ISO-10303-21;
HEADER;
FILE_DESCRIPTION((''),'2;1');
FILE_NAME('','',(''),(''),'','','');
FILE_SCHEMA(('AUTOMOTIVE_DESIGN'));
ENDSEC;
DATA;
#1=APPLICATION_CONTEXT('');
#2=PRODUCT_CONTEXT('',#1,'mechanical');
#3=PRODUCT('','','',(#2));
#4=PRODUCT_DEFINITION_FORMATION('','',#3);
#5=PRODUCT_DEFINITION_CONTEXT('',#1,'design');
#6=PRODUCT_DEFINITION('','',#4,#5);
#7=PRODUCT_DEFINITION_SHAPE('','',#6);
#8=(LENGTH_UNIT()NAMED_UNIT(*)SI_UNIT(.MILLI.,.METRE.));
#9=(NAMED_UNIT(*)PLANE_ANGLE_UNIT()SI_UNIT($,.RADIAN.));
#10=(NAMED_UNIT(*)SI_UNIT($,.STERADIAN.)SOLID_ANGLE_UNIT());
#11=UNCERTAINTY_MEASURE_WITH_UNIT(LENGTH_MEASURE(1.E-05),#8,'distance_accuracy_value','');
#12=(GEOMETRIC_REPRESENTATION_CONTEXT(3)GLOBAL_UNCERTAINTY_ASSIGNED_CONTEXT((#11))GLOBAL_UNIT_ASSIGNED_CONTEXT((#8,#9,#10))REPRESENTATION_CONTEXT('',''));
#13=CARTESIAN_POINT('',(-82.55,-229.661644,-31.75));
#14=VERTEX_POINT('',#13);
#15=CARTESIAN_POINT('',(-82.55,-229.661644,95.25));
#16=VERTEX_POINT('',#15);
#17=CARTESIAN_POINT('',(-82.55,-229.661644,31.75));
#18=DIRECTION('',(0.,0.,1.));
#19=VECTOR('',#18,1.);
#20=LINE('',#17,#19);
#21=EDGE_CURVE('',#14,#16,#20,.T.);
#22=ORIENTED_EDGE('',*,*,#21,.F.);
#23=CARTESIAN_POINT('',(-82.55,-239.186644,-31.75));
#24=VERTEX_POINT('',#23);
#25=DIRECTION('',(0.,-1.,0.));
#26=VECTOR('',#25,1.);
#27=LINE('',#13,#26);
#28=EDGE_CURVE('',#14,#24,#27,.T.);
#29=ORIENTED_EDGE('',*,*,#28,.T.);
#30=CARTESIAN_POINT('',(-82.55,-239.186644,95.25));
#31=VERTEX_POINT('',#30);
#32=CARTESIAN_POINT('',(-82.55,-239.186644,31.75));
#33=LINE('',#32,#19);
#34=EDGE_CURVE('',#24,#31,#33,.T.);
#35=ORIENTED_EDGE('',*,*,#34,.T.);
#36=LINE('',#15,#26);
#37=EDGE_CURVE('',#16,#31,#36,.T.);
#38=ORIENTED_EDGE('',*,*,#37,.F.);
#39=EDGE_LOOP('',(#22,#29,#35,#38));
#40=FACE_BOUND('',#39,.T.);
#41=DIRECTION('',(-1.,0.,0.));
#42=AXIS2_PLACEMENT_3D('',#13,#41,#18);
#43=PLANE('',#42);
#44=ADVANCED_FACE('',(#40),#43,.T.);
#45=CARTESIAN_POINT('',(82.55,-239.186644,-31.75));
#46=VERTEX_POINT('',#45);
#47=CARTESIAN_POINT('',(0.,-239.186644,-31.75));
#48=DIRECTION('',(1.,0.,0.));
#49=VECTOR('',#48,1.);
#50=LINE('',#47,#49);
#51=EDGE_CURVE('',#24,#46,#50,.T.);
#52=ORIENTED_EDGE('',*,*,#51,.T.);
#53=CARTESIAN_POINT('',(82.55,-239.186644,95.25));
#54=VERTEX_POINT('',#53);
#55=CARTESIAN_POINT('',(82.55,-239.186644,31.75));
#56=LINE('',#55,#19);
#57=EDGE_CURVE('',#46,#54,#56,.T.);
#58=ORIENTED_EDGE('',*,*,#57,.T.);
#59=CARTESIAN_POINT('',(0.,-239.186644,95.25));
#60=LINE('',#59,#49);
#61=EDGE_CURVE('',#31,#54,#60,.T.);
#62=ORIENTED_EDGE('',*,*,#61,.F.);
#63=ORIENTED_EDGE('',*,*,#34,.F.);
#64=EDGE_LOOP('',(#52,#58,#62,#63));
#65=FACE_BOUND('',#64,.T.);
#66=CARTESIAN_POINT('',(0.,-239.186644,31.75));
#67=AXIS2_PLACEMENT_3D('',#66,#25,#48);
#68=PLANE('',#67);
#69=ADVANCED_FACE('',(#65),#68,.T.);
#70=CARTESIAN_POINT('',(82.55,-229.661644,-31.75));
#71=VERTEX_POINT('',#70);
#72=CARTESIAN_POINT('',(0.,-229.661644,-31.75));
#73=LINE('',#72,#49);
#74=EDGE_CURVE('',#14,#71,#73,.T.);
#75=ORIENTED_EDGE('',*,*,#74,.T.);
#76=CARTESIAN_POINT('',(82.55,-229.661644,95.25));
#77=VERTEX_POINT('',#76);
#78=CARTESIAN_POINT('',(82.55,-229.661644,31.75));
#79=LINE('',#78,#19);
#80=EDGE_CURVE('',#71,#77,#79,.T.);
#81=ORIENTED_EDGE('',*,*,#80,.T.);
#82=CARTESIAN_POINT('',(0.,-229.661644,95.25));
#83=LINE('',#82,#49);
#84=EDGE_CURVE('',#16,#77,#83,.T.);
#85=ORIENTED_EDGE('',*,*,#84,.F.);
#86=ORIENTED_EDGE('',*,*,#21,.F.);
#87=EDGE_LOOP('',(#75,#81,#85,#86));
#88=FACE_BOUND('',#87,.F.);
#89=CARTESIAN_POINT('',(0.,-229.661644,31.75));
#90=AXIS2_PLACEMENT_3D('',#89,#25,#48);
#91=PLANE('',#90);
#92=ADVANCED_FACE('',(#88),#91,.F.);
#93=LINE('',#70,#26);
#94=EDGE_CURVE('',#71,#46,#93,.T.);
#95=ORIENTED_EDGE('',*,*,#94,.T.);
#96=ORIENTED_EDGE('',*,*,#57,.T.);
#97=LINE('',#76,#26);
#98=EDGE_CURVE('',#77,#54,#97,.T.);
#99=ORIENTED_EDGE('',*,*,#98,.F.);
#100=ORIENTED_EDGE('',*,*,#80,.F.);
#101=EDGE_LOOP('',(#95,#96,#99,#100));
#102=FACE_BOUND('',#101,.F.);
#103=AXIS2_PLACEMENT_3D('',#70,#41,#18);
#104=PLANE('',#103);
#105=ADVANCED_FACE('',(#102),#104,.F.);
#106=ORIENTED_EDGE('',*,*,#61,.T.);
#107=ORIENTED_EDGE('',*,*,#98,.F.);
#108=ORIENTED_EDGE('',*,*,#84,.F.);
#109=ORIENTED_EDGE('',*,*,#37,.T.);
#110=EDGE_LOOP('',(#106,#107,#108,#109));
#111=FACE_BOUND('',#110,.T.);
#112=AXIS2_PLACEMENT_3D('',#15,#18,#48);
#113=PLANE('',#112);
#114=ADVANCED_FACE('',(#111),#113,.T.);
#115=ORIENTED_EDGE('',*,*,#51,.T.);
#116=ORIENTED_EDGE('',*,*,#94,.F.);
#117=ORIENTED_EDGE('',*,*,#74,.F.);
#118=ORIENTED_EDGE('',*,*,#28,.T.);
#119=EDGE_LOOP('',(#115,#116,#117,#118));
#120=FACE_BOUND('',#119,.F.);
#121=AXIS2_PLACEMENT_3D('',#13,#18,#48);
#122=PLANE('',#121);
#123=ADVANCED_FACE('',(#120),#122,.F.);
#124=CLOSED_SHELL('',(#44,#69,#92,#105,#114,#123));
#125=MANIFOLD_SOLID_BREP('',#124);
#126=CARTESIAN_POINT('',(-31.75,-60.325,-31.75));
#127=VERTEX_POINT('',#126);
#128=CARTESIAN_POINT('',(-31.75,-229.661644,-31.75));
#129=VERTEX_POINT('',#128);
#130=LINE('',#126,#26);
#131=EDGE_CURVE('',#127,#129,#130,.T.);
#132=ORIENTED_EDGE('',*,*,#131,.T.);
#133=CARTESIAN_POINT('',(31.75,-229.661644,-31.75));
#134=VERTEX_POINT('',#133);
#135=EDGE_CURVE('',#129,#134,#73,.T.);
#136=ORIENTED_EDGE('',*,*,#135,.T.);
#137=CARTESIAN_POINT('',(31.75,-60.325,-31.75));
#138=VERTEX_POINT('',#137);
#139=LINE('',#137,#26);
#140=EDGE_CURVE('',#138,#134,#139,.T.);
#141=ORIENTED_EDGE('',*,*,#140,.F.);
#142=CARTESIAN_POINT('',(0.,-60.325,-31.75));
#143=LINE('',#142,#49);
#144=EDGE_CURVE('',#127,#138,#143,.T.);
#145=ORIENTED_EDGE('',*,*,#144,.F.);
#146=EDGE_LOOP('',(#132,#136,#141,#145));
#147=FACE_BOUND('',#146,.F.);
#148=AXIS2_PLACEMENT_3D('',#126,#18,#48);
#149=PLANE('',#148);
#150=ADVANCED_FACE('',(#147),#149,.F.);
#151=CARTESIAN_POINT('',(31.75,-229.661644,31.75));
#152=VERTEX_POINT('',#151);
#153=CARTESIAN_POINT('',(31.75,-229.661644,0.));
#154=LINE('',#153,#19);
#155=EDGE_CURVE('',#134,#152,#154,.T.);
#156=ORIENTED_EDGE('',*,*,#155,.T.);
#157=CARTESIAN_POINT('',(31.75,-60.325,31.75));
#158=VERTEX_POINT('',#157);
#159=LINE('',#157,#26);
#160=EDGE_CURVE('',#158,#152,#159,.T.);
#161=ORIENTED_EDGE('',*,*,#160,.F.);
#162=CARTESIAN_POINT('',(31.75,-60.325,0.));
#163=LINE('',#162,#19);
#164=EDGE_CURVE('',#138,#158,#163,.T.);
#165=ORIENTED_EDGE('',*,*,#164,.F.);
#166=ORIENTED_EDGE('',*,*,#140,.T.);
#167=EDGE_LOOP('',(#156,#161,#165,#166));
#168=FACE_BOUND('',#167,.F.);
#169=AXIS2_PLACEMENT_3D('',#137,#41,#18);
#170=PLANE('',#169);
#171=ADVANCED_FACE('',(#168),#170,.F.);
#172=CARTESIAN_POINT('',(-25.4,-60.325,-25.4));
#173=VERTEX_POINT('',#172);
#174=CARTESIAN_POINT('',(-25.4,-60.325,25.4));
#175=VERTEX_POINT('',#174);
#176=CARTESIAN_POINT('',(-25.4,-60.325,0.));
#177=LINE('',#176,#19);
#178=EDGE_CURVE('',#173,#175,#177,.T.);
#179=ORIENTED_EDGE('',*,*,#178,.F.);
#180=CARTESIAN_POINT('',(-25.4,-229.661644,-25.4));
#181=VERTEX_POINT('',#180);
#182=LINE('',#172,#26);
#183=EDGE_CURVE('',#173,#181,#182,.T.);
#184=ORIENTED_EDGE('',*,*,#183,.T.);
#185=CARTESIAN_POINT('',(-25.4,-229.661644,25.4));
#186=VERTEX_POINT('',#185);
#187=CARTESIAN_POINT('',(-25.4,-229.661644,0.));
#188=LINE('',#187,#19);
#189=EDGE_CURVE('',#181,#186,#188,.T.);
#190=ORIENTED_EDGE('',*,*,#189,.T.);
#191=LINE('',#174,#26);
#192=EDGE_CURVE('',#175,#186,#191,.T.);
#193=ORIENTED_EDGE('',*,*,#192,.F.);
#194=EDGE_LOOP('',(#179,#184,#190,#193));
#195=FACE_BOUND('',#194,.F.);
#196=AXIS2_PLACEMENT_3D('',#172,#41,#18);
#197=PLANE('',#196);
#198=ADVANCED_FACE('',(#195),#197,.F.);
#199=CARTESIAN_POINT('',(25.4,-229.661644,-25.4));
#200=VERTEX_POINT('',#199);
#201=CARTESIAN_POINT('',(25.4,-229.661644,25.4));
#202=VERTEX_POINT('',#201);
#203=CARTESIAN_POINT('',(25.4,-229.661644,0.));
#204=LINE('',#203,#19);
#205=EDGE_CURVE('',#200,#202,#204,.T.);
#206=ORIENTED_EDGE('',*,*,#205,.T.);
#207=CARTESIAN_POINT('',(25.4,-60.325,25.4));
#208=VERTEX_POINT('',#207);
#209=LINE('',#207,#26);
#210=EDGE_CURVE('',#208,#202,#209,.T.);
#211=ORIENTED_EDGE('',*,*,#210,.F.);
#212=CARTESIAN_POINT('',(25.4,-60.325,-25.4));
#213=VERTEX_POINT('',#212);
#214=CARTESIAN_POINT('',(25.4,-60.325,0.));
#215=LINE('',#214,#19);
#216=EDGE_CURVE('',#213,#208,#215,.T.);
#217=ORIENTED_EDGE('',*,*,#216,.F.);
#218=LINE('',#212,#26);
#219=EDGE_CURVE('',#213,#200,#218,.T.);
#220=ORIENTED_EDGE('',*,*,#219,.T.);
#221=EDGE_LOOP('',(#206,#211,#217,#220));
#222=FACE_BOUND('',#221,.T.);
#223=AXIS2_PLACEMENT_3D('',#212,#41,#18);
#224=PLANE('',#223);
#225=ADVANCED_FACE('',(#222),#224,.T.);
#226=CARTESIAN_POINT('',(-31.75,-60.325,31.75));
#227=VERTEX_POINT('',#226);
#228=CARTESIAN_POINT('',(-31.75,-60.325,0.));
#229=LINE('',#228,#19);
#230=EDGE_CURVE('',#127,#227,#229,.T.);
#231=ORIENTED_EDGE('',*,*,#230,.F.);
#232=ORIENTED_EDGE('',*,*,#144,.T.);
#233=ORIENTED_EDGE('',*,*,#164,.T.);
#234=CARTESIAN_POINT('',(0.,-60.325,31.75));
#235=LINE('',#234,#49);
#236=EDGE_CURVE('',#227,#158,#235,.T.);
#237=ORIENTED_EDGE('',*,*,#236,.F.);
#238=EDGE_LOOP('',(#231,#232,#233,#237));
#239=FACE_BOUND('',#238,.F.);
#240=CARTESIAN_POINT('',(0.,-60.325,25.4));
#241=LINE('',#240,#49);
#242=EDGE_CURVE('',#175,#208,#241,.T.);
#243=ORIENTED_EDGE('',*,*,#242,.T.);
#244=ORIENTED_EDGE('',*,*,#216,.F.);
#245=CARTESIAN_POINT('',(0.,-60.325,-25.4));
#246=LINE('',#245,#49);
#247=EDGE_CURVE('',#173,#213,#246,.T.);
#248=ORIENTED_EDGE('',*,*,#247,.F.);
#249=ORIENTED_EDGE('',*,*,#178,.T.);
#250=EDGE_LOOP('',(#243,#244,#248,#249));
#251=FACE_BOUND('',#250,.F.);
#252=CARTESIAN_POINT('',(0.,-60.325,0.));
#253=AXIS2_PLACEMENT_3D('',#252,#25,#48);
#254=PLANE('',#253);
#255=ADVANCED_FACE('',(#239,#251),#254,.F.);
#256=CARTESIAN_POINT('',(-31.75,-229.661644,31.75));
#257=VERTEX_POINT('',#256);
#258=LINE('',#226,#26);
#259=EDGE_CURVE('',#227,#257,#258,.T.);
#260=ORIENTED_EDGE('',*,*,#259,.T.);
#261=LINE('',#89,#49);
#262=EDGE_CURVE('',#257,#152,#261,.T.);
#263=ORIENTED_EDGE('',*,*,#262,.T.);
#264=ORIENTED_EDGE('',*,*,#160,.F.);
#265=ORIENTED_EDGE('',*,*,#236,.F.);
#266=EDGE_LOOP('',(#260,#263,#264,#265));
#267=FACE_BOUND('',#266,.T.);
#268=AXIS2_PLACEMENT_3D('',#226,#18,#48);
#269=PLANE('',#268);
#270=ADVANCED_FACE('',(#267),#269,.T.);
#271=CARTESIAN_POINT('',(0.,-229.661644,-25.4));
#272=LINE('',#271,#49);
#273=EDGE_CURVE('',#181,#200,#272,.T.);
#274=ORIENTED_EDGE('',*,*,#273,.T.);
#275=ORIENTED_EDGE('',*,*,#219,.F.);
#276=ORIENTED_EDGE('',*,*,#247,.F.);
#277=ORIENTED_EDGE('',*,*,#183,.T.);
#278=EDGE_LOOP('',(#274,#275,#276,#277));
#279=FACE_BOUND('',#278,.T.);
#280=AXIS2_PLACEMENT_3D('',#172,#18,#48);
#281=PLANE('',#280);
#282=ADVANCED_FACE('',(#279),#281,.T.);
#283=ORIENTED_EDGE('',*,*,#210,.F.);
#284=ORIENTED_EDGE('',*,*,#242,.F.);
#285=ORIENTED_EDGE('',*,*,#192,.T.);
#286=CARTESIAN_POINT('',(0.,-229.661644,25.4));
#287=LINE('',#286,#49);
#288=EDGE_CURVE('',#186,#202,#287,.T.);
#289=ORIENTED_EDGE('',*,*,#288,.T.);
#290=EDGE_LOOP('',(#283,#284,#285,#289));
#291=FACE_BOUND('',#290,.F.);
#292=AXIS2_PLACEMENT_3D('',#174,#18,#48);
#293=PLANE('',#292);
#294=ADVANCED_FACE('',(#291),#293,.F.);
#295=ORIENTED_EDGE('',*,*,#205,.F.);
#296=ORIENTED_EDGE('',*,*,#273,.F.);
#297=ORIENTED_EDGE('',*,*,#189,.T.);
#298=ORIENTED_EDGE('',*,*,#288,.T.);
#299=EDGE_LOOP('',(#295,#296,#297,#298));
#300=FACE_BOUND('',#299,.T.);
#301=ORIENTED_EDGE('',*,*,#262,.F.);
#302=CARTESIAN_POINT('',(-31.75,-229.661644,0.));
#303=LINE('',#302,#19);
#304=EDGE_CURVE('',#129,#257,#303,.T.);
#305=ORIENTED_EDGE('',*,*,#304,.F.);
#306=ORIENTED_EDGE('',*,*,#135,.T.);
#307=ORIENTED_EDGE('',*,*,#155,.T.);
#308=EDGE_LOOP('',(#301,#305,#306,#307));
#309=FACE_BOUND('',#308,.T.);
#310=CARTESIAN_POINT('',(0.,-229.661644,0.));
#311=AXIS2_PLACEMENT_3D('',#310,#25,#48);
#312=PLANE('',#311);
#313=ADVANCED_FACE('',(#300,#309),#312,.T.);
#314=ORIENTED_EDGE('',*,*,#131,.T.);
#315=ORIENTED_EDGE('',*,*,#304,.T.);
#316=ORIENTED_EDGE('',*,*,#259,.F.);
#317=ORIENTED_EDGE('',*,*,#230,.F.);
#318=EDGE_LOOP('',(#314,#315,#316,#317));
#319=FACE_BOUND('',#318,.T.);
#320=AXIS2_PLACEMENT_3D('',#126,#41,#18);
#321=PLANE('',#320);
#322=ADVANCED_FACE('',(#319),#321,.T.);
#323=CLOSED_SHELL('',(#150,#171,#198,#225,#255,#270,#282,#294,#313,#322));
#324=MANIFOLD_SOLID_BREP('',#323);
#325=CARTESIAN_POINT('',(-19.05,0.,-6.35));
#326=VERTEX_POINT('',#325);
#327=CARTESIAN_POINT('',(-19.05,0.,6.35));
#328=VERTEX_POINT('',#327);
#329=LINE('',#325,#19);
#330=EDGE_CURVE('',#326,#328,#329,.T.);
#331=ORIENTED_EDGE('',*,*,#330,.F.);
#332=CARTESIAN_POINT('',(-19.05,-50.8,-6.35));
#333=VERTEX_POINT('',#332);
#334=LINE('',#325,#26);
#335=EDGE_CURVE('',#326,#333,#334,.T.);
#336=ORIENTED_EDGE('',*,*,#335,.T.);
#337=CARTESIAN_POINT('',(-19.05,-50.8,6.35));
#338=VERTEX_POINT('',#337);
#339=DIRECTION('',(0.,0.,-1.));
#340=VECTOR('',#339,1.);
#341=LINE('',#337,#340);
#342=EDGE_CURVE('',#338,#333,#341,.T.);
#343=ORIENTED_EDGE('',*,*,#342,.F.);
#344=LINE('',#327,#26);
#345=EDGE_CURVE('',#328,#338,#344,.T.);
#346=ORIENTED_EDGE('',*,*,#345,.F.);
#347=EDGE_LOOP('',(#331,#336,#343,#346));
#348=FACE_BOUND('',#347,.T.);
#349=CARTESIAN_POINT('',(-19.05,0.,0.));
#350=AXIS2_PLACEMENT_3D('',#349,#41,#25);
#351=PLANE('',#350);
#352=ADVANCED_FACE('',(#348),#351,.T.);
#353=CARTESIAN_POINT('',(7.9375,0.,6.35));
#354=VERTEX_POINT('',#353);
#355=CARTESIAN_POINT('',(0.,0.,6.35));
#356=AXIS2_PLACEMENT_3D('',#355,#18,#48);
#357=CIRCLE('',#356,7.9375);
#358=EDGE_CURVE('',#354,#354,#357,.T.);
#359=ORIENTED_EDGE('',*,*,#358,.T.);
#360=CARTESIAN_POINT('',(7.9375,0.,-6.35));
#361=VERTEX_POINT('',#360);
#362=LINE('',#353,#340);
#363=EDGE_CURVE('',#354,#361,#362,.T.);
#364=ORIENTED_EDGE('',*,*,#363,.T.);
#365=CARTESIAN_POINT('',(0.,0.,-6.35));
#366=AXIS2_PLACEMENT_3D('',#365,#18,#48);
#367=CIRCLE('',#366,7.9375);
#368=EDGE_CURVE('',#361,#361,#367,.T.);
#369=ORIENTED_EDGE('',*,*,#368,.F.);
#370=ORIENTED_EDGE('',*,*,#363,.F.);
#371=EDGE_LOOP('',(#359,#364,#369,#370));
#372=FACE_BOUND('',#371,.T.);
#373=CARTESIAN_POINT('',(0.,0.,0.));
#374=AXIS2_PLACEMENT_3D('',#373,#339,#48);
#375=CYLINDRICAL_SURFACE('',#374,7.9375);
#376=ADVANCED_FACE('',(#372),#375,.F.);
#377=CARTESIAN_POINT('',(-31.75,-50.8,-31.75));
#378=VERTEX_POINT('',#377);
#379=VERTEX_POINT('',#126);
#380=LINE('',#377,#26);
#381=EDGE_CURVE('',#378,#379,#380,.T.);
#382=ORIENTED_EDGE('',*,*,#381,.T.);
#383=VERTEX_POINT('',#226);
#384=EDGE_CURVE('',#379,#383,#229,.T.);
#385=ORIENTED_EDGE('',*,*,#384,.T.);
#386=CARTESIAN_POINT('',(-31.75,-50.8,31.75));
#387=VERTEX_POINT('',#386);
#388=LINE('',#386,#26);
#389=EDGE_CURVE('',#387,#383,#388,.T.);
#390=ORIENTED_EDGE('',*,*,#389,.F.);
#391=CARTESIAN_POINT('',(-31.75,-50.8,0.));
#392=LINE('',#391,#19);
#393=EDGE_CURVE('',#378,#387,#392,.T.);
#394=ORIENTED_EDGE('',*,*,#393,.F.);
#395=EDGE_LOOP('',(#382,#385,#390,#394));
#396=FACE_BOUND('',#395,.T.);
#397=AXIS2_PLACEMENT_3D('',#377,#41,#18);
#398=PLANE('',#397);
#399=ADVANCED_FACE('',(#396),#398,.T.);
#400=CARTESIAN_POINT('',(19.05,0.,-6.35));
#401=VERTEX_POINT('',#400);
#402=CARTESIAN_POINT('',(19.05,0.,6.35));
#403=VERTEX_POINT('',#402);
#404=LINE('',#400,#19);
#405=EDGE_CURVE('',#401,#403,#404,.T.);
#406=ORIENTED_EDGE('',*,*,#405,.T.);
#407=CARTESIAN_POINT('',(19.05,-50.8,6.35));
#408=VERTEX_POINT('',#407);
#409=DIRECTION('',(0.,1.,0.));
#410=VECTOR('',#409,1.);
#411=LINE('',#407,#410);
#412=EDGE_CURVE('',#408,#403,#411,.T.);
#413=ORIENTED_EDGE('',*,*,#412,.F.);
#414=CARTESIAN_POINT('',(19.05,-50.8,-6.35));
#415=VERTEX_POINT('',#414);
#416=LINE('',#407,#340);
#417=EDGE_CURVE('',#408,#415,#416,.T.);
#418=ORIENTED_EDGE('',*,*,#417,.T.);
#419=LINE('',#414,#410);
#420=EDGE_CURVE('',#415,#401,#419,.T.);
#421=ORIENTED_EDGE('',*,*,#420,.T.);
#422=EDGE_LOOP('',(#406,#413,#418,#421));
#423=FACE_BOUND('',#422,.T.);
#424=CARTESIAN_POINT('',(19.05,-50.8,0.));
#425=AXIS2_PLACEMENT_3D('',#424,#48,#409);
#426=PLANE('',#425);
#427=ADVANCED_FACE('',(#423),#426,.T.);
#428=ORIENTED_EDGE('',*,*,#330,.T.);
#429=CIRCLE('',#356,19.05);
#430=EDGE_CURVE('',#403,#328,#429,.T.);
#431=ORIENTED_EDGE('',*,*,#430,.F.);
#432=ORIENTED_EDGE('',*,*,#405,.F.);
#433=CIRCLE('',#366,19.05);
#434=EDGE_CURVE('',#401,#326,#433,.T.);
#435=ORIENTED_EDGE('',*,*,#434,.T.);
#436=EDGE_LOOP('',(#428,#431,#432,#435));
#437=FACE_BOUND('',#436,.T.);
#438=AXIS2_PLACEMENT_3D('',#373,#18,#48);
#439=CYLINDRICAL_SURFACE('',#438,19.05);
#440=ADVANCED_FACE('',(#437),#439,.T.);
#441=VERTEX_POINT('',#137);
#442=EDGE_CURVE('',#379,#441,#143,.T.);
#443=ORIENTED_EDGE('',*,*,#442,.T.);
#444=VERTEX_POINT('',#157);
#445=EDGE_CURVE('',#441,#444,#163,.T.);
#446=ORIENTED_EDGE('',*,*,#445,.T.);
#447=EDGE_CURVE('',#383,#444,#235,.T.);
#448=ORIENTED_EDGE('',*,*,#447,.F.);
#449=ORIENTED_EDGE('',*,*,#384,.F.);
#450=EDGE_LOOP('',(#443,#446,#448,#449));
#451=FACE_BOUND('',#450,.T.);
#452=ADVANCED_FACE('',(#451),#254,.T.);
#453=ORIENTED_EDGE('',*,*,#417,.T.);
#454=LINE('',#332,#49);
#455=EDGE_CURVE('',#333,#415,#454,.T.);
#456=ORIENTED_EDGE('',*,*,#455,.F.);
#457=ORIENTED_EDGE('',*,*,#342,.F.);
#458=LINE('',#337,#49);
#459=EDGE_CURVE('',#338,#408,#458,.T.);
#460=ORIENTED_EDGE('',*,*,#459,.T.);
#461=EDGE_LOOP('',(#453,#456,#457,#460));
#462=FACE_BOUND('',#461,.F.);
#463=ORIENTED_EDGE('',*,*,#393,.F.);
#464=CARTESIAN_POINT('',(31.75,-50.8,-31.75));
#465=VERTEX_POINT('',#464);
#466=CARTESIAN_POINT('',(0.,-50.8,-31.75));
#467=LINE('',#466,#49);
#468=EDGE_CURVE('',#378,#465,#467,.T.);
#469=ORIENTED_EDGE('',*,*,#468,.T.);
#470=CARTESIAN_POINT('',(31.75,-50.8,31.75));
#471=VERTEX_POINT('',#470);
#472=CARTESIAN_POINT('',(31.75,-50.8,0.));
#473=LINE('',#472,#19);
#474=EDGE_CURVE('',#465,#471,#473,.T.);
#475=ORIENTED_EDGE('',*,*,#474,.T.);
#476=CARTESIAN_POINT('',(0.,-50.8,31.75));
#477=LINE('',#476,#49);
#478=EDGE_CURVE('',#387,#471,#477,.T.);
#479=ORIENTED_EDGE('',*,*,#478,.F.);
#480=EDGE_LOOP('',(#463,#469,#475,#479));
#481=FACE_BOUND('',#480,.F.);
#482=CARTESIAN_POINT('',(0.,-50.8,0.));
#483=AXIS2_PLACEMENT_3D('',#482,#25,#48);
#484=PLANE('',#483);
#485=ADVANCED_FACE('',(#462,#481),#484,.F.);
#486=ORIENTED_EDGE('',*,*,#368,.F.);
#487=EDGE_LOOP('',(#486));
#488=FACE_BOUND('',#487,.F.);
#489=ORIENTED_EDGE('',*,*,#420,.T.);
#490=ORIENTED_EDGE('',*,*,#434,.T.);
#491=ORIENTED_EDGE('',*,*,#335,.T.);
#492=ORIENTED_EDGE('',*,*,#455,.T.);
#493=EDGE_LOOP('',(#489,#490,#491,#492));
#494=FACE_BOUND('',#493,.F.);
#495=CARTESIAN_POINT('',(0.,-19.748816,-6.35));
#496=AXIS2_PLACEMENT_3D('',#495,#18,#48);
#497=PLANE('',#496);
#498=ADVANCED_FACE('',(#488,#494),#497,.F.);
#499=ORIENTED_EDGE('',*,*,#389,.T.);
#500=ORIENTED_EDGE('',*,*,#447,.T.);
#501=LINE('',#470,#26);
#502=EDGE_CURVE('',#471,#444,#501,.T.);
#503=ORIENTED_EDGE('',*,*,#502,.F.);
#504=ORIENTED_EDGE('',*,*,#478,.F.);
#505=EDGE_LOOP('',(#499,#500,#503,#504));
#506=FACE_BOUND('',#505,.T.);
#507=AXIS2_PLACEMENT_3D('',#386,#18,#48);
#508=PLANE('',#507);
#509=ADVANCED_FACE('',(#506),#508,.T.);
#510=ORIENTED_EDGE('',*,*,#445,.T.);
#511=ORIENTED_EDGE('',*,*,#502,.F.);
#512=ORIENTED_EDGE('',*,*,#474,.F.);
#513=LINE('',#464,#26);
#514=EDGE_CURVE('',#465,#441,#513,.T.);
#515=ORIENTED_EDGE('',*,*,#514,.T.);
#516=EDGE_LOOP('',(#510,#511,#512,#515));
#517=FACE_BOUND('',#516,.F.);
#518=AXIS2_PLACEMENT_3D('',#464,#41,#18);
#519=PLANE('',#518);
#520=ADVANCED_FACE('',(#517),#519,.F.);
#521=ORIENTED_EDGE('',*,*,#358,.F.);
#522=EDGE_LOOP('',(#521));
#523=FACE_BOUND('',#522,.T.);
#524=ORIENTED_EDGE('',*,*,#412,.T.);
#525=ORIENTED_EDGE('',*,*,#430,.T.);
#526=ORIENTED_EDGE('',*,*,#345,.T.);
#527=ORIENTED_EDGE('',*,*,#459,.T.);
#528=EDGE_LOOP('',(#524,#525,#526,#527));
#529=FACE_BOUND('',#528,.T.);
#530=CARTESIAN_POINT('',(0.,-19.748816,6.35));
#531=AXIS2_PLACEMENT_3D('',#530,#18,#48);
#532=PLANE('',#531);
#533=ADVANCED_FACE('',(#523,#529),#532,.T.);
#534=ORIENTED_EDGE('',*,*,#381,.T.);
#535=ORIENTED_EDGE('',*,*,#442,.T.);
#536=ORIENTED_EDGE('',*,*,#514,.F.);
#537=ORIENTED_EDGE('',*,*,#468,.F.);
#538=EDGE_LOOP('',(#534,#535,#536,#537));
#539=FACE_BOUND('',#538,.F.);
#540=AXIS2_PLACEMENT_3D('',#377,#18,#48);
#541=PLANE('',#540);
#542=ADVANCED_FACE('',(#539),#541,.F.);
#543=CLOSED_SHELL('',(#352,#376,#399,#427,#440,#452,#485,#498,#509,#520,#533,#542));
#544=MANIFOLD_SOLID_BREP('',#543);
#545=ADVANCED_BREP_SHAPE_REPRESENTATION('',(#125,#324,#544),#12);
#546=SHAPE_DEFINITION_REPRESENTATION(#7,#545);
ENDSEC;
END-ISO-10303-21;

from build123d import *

# Parameters (mm, degrees)
F0_R          = 7.9375
F1_DEPTH      = 6.35
F1_DEPTH_BACK = 6.35
F2_W          = 63.5
F2_H          = 63.5
F3_DEPTH      = 9.525
F4_W          = 63.5
F4_H          = 63.5
F4_W_2        = 50.8
F4_H_2        = 50.8
F5_DEPTH      = 169.336644
F6_W          = 165.1
F6_H          = 127
F7_DEPTH      = 9.525


with BuildPart() as f1:
    # F0 (on Top) → F1 (new body, two sides)
    with BuildSketch(Plane.XY) as f1_sk:
        with BuildLine():
            Line((19.05, -50.8), (19.05, 0))
            ThreePointArc((19.05, 0), (0, 19.05), (-19.05, 0))
            Line((-19.05, 0), (-19.05, -50.8))
            Line((-19.05, -50.8), (19.05, -50.8))
        make_face()
        Circle(F0_R, mode=Mode.SUBTRACT)
    extrude(amount=F1_DEPTH)
    extrude(f1_sk.sketch, amount=-F1_DEPTH_BACK)

    # F2 (on face) → F3 (join)
    with BuildSketch(Plane.XZ.offset(50.8)):
        Rectangle(F2_W, F2_H)
    extrude(amount=F3_DEPTH)


with BuildPart() as f5:
    # F4 (on face) → F5 (new body)
    with BuildSketch(Plane.XZ.offset(60.325)):
        Rectangle(F4_W, F4_H)
        Rectangle(F4_W_2, F4_H_2, mode=Mode.SUBTRACT)
    extrude(amount=F5_DEPTH)


with BuildPart() as f7:
    # F6 (on face) → F7 (new body)
    with BuildSketch(Plane.XZ.offset(229.661644)):
        with Locations((0, 31.75)):
            Rectangle(F6_W, F6_H)
    extrude(amount=F7_DEPTH)


solid = Compound([f1.part, f5.part, f7.part])
